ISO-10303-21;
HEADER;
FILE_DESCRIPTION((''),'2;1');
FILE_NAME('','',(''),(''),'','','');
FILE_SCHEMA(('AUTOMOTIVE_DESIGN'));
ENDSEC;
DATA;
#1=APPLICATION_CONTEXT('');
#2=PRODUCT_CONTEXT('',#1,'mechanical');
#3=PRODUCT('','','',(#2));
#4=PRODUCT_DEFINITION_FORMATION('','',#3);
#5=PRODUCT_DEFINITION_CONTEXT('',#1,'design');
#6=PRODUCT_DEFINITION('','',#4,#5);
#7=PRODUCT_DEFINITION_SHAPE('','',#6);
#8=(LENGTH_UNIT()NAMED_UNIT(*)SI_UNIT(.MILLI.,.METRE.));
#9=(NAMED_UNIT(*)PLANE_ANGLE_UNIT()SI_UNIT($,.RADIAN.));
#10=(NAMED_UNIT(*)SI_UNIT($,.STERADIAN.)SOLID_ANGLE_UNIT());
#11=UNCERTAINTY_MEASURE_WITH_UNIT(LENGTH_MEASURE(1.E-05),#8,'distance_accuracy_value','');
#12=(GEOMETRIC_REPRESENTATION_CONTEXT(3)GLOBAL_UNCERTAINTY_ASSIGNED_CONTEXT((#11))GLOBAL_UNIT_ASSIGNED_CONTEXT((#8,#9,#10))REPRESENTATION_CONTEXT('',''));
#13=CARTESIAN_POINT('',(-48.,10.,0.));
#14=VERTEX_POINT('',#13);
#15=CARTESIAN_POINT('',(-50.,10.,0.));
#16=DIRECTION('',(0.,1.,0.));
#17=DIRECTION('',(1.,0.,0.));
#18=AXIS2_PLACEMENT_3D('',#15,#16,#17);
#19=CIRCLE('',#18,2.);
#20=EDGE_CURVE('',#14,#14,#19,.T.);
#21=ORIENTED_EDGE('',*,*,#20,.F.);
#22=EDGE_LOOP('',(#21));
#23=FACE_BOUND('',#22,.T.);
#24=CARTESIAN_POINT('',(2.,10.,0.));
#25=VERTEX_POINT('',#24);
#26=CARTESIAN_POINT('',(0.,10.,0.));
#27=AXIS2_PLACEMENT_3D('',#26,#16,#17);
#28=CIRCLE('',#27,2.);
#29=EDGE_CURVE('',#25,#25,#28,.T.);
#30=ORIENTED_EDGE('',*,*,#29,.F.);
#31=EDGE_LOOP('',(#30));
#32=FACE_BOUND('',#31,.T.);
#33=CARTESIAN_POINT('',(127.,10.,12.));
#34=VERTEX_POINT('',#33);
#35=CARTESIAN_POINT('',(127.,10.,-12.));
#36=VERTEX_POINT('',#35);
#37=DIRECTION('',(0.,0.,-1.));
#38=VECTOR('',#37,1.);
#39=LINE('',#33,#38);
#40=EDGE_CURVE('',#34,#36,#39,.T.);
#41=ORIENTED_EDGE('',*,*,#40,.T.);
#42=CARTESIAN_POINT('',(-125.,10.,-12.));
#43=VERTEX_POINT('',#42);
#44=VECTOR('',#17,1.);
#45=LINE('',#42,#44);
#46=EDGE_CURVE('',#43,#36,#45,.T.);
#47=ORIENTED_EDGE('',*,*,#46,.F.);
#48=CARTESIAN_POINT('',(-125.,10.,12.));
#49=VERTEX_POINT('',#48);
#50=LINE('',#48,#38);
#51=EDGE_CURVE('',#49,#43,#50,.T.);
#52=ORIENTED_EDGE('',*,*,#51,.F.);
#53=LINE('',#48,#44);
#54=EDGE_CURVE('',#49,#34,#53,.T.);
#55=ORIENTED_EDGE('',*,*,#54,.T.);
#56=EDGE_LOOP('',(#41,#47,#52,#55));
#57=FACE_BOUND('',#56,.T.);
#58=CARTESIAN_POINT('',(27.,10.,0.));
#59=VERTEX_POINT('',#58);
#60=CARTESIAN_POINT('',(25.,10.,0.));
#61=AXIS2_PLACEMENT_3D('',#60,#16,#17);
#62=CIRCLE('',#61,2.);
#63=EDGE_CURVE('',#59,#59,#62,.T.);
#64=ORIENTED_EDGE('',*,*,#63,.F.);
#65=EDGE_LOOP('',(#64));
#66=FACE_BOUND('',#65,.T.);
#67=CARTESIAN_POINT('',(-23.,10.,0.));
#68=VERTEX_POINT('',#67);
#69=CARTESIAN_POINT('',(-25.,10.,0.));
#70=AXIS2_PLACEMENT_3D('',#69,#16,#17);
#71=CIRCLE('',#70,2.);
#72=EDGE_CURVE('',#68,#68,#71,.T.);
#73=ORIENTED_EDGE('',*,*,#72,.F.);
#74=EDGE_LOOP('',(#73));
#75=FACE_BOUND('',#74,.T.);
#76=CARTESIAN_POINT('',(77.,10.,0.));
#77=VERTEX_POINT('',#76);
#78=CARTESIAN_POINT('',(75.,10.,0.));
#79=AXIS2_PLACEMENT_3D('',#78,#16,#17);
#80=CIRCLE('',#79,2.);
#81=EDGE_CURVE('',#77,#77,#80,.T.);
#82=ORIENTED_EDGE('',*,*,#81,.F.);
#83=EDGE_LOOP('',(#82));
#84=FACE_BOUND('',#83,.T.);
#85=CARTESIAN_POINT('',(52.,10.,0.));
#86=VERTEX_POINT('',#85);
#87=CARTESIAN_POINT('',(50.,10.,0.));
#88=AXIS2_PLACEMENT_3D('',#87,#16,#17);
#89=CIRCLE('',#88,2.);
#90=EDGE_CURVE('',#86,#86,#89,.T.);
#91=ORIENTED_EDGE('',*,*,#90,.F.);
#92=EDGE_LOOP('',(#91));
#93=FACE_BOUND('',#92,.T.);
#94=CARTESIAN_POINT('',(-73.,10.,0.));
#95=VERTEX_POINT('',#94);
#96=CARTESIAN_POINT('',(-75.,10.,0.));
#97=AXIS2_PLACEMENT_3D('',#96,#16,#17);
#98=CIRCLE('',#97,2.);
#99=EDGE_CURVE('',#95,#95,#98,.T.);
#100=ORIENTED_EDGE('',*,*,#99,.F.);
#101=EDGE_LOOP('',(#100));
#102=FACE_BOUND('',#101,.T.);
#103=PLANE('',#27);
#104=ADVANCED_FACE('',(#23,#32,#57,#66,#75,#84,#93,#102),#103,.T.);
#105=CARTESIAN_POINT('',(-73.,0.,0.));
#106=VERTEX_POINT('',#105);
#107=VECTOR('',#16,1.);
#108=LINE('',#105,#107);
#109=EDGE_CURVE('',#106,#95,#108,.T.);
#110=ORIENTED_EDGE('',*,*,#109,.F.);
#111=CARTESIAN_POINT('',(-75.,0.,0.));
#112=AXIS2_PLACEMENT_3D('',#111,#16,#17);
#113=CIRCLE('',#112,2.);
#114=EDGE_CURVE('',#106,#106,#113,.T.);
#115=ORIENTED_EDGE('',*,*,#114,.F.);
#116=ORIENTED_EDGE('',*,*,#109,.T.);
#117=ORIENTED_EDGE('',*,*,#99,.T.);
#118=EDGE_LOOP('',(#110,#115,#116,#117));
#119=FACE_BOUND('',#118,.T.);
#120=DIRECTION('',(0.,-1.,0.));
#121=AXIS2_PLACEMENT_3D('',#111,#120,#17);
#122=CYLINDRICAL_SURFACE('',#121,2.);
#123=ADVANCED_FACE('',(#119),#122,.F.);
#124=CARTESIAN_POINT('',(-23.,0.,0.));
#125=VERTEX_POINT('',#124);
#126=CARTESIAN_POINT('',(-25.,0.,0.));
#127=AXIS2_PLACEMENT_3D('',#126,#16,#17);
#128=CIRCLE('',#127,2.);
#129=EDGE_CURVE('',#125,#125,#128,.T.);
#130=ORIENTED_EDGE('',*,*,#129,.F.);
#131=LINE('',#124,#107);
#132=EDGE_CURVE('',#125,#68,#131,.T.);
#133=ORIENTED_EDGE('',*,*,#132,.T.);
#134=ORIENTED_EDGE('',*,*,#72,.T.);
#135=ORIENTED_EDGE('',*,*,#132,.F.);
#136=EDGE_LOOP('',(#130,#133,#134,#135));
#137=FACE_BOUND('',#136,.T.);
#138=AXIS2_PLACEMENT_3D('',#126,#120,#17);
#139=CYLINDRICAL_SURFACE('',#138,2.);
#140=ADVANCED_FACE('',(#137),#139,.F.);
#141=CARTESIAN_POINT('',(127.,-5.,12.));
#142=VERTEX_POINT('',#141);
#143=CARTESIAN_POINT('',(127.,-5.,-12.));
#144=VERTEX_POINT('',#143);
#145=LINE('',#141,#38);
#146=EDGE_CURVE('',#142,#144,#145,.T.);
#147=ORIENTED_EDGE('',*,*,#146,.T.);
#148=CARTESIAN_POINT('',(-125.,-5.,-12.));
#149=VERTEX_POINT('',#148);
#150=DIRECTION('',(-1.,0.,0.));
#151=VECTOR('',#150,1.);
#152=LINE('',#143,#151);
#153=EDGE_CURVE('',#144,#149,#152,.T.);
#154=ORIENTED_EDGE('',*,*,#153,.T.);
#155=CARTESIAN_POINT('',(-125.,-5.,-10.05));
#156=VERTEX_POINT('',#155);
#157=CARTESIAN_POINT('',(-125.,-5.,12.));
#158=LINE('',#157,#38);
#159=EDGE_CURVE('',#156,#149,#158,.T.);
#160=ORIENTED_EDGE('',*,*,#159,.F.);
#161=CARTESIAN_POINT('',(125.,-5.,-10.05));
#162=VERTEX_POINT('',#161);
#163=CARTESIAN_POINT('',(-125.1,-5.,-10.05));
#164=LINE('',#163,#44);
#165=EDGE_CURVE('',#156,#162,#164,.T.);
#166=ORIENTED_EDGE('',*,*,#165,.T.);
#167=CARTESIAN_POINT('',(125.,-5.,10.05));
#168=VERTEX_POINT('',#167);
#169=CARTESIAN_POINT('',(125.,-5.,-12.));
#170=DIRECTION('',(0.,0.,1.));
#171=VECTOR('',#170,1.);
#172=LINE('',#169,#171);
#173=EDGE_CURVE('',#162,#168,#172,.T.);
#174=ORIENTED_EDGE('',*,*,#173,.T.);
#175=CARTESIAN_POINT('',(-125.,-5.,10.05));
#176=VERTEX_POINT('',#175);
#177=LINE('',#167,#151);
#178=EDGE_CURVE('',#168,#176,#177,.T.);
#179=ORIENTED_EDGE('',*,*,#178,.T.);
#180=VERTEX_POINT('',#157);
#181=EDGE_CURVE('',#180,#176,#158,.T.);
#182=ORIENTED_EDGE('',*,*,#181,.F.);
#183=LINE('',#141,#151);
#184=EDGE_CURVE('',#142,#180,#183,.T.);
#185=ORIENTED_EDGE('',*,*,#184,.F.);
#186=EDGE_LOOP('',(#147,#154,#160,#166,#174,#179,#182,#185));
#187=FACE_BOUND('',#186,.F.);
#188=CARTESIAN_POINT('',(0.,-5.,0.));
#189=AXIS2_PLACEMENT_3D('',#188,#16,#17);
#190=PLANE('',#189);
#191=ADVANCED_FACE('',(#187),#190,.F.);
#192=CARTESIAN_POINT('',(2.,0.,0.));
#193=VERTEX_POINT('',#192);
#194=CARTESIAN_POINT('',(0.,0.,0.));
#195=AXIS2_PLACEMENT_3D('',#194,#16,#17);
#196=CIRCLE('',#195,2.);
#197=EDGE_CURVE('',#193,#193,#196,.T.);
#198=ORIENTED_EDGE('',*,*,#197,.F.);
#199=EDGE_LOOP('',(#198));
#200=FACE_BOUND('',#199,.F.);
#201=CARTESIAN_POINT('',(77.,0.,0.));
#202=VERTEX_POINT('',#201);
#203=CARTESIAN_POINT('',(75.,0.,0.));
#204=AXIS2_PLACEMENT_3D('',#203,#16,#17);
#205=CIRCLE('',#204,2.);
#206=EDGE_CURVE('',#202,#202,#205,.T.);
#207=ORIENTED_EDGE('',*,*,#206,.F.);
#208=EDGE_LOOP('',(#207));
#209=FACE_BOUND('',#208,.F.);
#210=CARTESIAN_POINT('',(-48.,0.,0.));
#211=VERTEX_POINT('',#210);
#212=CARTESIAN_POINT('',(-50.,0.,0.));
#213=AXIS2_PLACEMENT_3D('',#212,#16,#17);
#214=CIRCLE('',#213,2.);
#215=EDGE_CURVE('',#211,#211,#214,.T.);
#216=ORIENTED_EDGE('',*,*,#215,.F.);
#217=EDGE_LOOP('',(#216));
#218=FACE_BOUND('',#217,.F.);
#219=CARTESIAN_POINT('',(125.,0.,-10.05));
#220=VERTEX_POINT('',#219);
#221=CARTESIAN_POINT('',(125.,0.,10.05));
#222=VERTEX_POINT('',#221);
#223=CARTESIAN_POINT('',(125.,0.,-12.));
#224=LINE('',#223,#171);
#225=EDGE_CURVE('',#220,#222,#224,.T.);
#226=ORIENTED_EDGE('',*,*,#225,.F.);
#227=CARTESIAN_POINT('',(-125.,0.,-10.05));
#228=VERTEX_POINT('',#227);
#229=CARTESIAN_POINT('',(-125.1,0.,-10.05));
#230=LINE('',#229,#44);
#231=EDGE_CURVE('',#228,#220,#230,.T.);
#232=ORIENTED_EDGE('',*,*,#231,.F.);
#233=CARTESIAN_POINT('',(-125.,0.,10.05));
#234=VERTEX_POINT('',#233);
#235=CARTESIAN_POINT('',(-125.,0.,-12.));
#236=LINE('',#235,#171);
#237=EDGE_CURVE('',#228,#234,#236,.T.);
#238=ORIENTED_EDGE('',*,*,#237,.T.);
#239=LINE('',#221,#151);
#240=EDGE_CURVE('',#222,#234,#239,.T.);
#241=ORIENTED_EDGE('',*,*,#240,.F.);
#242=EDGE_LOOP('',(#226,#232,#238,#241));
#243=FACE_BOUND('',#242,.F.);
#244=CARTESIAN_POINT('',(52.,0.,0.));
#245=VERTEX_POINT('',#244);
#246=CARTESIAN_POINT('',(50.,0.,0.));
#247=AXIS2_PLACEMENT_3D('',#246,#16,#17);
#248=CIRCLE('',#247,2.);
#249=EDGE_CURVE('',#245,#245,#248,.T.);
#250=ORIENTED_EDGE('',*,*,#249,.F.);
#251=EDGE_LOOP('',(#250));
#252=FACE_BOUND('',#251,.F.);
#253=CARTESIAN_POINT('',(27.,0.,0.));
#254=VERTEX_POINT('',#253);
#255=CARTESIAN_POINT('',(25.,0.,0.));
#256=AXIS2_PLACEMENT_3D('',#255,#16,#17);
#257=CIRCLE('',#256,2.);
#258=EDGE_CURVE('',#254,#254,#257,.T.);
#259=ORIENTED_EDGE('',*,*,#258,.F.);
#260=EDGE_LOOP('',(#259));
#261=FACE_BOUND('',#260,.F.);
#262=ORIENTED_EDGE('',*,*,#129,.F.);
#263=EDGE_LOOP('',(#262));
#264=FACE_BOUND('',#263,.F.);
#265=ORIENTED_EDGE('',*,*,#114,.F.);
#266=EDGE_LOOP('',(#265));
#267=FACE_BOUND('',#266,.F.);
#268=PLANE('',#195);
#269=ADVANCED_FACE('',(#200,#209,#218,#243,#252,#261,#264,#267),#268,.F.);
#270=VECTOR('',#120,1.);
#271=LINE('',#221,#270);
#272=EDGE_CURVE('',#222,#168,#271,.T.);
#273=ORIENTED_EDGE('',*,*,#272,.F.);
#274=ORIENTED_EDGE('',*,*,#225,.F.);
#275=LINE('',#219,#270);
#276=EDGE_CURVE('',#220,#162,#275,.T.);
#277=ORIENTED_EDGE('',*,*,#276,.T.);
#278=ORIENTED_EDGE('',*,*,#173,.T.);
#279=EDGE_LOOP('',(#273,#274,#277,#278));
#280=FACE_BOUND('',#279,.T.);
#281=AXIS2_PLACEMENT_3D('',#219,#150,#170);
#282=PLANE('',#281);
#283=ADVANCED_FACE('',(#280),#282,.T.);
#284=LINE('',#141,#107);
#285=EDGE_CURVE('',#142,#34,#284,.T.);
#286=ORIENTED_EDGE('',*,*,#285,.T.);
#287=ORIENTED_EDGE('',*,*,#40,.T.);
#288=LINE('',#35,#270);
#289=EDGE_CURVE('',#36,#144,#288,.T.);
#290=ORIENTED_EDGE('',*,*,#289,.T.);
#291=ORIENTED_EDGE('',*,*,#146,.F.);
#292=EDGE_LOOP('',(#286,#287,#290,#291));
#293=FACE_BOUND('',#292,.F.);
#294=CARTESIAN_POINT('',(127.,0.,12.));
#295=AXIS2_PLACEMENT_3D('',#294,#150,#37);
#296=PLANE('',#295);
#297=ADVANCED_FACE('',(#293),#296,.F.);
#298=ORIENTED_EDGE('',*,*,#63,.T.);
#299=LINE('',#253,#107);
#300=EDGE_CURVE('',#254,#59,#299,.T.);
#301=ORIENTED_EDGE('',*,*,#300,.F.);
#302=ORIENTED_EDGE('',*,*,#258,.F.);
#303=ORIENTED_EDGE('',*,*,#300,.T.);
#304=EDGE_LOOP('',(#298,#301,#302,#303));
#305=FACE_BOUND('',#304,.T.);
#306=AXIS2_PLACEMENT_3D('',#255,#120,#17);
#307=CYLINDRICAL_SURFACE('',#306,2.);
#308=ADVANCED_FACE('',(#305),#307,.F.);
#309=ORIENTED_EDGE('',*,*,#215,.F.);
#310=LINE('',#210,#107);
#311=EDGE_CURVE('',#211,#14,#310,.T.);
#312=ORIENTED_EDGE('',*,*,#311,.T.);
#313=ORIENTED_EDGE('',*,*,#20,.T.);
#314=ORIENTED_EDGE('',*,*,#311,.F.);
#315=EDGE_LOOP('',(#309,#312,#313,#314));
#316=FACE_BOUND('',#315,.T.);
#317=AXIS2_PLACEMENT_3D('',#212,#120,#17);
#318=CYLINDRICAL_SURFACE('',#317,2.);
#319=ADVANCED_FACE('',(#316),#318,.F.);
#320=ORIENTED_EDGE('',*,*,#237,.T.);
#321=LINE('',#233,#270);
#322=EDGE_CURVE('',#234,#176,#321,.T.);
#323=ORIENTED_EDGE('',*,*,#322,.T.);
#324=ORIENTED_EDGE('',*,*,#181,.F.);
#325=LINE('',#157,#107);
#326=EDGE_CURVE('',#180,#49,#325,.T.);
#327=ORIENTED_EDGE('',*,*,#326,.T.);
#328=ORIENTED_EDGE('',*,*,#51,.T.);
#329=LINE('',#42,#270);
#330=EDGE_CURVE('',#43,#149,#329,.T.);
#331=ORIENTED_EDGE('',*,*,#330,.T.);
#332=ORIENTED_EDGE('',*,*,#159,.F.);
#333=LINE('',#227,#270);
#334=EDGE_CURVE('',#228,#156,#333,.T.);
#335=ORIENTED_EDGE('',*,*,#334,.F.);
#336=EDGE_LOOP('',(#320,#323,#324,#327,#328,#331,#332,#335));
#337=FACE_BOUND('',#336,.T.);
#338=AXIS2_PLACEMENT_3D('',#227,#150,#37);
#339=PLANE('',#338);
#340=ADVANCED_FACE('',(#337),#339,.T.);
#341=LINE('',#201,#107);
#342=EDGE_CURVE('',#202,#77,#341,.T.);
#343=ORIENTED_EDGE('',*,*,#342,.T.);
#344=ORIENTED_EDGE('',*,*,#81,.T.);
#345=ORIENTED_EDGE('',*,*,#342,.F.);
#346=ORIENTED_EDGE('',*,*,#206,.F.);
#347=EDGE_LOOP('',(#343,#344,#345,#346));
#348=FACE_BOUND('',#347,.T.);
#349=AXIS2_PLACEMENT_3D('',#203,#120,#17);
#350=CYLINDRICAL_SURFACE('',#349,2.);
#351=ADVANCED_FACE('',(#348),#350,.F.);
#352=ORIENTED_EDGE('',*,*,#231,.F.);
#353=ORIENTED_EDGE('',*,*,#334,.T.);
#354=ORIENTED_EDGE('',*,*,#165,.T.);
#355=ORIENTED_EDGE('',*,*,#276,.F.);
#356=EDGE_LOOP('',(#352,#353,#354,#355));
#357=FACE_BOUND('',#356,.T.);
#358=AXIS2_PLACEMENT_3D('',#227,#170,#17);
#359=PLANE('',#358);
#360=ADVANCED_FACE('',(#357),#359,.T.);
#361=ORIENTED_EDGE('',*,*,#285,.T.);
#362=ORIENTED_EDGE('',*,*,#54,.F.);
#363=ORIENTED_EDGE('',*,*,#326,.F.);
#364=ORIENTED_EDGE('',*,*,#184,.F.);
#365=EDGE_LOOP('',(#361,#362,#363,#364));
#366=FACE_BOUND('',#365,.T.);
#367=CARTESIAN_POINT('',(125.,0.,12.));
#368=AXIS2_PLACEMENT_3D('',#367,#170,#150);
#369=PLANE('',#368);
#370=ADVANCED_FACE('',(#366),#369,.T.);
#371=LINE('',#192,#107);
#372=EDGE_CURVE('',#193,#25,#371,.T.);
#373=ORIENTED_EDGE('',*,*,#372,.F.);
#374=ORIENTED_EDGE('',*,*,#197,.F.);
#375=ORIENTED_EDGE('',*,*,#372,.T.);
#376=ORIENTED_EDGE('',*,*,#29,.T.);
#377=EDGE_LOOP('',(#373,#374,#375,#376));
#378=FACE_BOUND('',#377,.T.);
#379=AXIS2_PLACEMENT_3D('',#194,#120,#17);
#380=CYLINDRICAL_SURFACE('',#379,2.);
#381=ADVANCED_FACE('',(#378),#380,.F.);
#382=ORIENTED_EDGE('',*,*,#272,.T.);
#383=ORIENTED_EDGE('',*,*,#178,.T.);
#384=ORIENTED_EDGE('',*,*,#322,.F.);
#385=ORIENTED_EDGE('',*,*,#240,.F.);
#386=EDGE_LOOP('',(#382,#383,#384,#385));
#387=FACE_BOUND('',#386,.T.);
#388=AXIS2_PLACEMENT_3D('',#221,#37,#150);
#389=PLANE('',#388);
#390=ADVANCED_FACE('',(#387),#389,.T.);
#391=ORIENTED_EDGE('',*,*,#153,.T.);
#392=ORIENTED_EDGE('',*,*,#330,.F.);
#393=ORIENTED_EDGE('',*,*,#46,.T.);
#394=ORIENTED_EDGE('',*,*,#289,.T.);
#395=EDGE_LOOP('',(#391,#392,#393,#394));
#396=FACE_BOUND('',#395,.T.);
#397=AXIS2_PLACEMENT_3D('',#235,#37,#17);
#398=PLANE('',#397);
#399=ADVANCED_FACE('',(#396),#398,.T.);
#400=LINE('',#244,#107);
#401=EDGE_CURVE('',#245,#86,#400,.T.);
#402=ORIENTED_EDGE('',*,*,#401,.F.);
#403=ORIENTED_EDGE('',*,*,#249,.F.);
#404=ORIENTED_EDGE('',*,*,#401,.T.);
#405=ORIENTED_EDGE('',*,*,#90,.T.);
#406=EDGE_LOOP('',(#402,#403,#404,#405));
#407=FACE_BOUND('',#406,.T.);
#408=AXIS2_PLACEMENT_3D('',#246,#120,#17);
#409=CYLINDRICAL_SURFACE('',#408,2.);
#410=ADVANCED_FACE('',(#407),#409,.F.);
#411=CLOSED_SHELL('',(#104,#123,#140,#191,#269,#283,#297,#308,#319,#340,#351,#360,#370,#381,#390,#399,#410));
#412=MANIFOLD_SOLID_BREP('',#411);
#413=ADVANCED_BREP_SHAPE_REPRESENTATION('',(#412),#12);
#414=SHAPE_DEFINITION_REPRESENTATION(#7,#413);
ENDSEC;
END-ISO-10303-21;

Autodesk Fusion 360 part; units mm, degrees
sketch "Sketch1" plane through (0, 0, 0) normal (0, 1, 0) x (1, 0, 0)
  line L0 (-125, 10) -> (125, 10) construction
  line L1 (125, 10) -> (125, -10) construction
  line L2 (125, -10) -> (-125, -10) construction
  line L3 (-125, -10) -> (-125, 10) construction
  line L4 (-125, 10) -> (125, -10) construction
  line L5 (125, 10) -> (-125, -10) construction
  line L6 (-125.1, 10.05) -> (125, 10.05)
  line L7 (125, -10.05) -> (-125.1, -10.05)
  line L8 (-125.1, -10.05) -> (-125.1, 10.05)
  line L9 (-125, 12) -> (125, 12)
  line L10 (125, 12) -> (125, -12)
  line L11 (125, -12) -> (-125, -12)
  line L12 (-125, -12) -> (-125, 12)
  line L13 (-125, 12) -> (125, -12) construction
  line L14 (125, 12) -> (-125, -12) construction
  line L15 (125, -12) -> (127, -12)
  line L16 (127, -12) -> (127, 12)
  line L17 (127, 12) -> (125, 12)
  line L18 (125, 12) -> (125, -12)
  circle A0 centre (0, 0) radius 2
  circle A1 centre (-75, 0) radius 2
  circle A2 centre (-50, 0) radius 2
  circle A3 centre (-25, 0) radius 2
  circle A4 centre (25, 0) radius 2
  circle A5 centre (50, 0) radius 2
  circle A6 centre (75, 0) radius 2
  dimension "d1" = 250
  dimension "d2" = 20
  dimension "d4" = 250
  dimension "d5" = 24
  dimension "d6" = 2
  dimension "d7" = 4
  dimension "d10" = 25
  dimension "d11" = 0
extrude "Extrude1" add sketch "Sketch1" along normal blind 10 contours L6 L9 L10 L12 L18 | L6 L7 L10 L12 L18 | L10 L15 L16 L17 L18 | L7 L10 L11 L12 L18
extrude "Extrude2" add sketch "Sketch1" against normal blind 5 contours L6 L9 L10 L12 L18 | L10 L15 L16 L17 L18 | L7 L10 L11 L12 L18
